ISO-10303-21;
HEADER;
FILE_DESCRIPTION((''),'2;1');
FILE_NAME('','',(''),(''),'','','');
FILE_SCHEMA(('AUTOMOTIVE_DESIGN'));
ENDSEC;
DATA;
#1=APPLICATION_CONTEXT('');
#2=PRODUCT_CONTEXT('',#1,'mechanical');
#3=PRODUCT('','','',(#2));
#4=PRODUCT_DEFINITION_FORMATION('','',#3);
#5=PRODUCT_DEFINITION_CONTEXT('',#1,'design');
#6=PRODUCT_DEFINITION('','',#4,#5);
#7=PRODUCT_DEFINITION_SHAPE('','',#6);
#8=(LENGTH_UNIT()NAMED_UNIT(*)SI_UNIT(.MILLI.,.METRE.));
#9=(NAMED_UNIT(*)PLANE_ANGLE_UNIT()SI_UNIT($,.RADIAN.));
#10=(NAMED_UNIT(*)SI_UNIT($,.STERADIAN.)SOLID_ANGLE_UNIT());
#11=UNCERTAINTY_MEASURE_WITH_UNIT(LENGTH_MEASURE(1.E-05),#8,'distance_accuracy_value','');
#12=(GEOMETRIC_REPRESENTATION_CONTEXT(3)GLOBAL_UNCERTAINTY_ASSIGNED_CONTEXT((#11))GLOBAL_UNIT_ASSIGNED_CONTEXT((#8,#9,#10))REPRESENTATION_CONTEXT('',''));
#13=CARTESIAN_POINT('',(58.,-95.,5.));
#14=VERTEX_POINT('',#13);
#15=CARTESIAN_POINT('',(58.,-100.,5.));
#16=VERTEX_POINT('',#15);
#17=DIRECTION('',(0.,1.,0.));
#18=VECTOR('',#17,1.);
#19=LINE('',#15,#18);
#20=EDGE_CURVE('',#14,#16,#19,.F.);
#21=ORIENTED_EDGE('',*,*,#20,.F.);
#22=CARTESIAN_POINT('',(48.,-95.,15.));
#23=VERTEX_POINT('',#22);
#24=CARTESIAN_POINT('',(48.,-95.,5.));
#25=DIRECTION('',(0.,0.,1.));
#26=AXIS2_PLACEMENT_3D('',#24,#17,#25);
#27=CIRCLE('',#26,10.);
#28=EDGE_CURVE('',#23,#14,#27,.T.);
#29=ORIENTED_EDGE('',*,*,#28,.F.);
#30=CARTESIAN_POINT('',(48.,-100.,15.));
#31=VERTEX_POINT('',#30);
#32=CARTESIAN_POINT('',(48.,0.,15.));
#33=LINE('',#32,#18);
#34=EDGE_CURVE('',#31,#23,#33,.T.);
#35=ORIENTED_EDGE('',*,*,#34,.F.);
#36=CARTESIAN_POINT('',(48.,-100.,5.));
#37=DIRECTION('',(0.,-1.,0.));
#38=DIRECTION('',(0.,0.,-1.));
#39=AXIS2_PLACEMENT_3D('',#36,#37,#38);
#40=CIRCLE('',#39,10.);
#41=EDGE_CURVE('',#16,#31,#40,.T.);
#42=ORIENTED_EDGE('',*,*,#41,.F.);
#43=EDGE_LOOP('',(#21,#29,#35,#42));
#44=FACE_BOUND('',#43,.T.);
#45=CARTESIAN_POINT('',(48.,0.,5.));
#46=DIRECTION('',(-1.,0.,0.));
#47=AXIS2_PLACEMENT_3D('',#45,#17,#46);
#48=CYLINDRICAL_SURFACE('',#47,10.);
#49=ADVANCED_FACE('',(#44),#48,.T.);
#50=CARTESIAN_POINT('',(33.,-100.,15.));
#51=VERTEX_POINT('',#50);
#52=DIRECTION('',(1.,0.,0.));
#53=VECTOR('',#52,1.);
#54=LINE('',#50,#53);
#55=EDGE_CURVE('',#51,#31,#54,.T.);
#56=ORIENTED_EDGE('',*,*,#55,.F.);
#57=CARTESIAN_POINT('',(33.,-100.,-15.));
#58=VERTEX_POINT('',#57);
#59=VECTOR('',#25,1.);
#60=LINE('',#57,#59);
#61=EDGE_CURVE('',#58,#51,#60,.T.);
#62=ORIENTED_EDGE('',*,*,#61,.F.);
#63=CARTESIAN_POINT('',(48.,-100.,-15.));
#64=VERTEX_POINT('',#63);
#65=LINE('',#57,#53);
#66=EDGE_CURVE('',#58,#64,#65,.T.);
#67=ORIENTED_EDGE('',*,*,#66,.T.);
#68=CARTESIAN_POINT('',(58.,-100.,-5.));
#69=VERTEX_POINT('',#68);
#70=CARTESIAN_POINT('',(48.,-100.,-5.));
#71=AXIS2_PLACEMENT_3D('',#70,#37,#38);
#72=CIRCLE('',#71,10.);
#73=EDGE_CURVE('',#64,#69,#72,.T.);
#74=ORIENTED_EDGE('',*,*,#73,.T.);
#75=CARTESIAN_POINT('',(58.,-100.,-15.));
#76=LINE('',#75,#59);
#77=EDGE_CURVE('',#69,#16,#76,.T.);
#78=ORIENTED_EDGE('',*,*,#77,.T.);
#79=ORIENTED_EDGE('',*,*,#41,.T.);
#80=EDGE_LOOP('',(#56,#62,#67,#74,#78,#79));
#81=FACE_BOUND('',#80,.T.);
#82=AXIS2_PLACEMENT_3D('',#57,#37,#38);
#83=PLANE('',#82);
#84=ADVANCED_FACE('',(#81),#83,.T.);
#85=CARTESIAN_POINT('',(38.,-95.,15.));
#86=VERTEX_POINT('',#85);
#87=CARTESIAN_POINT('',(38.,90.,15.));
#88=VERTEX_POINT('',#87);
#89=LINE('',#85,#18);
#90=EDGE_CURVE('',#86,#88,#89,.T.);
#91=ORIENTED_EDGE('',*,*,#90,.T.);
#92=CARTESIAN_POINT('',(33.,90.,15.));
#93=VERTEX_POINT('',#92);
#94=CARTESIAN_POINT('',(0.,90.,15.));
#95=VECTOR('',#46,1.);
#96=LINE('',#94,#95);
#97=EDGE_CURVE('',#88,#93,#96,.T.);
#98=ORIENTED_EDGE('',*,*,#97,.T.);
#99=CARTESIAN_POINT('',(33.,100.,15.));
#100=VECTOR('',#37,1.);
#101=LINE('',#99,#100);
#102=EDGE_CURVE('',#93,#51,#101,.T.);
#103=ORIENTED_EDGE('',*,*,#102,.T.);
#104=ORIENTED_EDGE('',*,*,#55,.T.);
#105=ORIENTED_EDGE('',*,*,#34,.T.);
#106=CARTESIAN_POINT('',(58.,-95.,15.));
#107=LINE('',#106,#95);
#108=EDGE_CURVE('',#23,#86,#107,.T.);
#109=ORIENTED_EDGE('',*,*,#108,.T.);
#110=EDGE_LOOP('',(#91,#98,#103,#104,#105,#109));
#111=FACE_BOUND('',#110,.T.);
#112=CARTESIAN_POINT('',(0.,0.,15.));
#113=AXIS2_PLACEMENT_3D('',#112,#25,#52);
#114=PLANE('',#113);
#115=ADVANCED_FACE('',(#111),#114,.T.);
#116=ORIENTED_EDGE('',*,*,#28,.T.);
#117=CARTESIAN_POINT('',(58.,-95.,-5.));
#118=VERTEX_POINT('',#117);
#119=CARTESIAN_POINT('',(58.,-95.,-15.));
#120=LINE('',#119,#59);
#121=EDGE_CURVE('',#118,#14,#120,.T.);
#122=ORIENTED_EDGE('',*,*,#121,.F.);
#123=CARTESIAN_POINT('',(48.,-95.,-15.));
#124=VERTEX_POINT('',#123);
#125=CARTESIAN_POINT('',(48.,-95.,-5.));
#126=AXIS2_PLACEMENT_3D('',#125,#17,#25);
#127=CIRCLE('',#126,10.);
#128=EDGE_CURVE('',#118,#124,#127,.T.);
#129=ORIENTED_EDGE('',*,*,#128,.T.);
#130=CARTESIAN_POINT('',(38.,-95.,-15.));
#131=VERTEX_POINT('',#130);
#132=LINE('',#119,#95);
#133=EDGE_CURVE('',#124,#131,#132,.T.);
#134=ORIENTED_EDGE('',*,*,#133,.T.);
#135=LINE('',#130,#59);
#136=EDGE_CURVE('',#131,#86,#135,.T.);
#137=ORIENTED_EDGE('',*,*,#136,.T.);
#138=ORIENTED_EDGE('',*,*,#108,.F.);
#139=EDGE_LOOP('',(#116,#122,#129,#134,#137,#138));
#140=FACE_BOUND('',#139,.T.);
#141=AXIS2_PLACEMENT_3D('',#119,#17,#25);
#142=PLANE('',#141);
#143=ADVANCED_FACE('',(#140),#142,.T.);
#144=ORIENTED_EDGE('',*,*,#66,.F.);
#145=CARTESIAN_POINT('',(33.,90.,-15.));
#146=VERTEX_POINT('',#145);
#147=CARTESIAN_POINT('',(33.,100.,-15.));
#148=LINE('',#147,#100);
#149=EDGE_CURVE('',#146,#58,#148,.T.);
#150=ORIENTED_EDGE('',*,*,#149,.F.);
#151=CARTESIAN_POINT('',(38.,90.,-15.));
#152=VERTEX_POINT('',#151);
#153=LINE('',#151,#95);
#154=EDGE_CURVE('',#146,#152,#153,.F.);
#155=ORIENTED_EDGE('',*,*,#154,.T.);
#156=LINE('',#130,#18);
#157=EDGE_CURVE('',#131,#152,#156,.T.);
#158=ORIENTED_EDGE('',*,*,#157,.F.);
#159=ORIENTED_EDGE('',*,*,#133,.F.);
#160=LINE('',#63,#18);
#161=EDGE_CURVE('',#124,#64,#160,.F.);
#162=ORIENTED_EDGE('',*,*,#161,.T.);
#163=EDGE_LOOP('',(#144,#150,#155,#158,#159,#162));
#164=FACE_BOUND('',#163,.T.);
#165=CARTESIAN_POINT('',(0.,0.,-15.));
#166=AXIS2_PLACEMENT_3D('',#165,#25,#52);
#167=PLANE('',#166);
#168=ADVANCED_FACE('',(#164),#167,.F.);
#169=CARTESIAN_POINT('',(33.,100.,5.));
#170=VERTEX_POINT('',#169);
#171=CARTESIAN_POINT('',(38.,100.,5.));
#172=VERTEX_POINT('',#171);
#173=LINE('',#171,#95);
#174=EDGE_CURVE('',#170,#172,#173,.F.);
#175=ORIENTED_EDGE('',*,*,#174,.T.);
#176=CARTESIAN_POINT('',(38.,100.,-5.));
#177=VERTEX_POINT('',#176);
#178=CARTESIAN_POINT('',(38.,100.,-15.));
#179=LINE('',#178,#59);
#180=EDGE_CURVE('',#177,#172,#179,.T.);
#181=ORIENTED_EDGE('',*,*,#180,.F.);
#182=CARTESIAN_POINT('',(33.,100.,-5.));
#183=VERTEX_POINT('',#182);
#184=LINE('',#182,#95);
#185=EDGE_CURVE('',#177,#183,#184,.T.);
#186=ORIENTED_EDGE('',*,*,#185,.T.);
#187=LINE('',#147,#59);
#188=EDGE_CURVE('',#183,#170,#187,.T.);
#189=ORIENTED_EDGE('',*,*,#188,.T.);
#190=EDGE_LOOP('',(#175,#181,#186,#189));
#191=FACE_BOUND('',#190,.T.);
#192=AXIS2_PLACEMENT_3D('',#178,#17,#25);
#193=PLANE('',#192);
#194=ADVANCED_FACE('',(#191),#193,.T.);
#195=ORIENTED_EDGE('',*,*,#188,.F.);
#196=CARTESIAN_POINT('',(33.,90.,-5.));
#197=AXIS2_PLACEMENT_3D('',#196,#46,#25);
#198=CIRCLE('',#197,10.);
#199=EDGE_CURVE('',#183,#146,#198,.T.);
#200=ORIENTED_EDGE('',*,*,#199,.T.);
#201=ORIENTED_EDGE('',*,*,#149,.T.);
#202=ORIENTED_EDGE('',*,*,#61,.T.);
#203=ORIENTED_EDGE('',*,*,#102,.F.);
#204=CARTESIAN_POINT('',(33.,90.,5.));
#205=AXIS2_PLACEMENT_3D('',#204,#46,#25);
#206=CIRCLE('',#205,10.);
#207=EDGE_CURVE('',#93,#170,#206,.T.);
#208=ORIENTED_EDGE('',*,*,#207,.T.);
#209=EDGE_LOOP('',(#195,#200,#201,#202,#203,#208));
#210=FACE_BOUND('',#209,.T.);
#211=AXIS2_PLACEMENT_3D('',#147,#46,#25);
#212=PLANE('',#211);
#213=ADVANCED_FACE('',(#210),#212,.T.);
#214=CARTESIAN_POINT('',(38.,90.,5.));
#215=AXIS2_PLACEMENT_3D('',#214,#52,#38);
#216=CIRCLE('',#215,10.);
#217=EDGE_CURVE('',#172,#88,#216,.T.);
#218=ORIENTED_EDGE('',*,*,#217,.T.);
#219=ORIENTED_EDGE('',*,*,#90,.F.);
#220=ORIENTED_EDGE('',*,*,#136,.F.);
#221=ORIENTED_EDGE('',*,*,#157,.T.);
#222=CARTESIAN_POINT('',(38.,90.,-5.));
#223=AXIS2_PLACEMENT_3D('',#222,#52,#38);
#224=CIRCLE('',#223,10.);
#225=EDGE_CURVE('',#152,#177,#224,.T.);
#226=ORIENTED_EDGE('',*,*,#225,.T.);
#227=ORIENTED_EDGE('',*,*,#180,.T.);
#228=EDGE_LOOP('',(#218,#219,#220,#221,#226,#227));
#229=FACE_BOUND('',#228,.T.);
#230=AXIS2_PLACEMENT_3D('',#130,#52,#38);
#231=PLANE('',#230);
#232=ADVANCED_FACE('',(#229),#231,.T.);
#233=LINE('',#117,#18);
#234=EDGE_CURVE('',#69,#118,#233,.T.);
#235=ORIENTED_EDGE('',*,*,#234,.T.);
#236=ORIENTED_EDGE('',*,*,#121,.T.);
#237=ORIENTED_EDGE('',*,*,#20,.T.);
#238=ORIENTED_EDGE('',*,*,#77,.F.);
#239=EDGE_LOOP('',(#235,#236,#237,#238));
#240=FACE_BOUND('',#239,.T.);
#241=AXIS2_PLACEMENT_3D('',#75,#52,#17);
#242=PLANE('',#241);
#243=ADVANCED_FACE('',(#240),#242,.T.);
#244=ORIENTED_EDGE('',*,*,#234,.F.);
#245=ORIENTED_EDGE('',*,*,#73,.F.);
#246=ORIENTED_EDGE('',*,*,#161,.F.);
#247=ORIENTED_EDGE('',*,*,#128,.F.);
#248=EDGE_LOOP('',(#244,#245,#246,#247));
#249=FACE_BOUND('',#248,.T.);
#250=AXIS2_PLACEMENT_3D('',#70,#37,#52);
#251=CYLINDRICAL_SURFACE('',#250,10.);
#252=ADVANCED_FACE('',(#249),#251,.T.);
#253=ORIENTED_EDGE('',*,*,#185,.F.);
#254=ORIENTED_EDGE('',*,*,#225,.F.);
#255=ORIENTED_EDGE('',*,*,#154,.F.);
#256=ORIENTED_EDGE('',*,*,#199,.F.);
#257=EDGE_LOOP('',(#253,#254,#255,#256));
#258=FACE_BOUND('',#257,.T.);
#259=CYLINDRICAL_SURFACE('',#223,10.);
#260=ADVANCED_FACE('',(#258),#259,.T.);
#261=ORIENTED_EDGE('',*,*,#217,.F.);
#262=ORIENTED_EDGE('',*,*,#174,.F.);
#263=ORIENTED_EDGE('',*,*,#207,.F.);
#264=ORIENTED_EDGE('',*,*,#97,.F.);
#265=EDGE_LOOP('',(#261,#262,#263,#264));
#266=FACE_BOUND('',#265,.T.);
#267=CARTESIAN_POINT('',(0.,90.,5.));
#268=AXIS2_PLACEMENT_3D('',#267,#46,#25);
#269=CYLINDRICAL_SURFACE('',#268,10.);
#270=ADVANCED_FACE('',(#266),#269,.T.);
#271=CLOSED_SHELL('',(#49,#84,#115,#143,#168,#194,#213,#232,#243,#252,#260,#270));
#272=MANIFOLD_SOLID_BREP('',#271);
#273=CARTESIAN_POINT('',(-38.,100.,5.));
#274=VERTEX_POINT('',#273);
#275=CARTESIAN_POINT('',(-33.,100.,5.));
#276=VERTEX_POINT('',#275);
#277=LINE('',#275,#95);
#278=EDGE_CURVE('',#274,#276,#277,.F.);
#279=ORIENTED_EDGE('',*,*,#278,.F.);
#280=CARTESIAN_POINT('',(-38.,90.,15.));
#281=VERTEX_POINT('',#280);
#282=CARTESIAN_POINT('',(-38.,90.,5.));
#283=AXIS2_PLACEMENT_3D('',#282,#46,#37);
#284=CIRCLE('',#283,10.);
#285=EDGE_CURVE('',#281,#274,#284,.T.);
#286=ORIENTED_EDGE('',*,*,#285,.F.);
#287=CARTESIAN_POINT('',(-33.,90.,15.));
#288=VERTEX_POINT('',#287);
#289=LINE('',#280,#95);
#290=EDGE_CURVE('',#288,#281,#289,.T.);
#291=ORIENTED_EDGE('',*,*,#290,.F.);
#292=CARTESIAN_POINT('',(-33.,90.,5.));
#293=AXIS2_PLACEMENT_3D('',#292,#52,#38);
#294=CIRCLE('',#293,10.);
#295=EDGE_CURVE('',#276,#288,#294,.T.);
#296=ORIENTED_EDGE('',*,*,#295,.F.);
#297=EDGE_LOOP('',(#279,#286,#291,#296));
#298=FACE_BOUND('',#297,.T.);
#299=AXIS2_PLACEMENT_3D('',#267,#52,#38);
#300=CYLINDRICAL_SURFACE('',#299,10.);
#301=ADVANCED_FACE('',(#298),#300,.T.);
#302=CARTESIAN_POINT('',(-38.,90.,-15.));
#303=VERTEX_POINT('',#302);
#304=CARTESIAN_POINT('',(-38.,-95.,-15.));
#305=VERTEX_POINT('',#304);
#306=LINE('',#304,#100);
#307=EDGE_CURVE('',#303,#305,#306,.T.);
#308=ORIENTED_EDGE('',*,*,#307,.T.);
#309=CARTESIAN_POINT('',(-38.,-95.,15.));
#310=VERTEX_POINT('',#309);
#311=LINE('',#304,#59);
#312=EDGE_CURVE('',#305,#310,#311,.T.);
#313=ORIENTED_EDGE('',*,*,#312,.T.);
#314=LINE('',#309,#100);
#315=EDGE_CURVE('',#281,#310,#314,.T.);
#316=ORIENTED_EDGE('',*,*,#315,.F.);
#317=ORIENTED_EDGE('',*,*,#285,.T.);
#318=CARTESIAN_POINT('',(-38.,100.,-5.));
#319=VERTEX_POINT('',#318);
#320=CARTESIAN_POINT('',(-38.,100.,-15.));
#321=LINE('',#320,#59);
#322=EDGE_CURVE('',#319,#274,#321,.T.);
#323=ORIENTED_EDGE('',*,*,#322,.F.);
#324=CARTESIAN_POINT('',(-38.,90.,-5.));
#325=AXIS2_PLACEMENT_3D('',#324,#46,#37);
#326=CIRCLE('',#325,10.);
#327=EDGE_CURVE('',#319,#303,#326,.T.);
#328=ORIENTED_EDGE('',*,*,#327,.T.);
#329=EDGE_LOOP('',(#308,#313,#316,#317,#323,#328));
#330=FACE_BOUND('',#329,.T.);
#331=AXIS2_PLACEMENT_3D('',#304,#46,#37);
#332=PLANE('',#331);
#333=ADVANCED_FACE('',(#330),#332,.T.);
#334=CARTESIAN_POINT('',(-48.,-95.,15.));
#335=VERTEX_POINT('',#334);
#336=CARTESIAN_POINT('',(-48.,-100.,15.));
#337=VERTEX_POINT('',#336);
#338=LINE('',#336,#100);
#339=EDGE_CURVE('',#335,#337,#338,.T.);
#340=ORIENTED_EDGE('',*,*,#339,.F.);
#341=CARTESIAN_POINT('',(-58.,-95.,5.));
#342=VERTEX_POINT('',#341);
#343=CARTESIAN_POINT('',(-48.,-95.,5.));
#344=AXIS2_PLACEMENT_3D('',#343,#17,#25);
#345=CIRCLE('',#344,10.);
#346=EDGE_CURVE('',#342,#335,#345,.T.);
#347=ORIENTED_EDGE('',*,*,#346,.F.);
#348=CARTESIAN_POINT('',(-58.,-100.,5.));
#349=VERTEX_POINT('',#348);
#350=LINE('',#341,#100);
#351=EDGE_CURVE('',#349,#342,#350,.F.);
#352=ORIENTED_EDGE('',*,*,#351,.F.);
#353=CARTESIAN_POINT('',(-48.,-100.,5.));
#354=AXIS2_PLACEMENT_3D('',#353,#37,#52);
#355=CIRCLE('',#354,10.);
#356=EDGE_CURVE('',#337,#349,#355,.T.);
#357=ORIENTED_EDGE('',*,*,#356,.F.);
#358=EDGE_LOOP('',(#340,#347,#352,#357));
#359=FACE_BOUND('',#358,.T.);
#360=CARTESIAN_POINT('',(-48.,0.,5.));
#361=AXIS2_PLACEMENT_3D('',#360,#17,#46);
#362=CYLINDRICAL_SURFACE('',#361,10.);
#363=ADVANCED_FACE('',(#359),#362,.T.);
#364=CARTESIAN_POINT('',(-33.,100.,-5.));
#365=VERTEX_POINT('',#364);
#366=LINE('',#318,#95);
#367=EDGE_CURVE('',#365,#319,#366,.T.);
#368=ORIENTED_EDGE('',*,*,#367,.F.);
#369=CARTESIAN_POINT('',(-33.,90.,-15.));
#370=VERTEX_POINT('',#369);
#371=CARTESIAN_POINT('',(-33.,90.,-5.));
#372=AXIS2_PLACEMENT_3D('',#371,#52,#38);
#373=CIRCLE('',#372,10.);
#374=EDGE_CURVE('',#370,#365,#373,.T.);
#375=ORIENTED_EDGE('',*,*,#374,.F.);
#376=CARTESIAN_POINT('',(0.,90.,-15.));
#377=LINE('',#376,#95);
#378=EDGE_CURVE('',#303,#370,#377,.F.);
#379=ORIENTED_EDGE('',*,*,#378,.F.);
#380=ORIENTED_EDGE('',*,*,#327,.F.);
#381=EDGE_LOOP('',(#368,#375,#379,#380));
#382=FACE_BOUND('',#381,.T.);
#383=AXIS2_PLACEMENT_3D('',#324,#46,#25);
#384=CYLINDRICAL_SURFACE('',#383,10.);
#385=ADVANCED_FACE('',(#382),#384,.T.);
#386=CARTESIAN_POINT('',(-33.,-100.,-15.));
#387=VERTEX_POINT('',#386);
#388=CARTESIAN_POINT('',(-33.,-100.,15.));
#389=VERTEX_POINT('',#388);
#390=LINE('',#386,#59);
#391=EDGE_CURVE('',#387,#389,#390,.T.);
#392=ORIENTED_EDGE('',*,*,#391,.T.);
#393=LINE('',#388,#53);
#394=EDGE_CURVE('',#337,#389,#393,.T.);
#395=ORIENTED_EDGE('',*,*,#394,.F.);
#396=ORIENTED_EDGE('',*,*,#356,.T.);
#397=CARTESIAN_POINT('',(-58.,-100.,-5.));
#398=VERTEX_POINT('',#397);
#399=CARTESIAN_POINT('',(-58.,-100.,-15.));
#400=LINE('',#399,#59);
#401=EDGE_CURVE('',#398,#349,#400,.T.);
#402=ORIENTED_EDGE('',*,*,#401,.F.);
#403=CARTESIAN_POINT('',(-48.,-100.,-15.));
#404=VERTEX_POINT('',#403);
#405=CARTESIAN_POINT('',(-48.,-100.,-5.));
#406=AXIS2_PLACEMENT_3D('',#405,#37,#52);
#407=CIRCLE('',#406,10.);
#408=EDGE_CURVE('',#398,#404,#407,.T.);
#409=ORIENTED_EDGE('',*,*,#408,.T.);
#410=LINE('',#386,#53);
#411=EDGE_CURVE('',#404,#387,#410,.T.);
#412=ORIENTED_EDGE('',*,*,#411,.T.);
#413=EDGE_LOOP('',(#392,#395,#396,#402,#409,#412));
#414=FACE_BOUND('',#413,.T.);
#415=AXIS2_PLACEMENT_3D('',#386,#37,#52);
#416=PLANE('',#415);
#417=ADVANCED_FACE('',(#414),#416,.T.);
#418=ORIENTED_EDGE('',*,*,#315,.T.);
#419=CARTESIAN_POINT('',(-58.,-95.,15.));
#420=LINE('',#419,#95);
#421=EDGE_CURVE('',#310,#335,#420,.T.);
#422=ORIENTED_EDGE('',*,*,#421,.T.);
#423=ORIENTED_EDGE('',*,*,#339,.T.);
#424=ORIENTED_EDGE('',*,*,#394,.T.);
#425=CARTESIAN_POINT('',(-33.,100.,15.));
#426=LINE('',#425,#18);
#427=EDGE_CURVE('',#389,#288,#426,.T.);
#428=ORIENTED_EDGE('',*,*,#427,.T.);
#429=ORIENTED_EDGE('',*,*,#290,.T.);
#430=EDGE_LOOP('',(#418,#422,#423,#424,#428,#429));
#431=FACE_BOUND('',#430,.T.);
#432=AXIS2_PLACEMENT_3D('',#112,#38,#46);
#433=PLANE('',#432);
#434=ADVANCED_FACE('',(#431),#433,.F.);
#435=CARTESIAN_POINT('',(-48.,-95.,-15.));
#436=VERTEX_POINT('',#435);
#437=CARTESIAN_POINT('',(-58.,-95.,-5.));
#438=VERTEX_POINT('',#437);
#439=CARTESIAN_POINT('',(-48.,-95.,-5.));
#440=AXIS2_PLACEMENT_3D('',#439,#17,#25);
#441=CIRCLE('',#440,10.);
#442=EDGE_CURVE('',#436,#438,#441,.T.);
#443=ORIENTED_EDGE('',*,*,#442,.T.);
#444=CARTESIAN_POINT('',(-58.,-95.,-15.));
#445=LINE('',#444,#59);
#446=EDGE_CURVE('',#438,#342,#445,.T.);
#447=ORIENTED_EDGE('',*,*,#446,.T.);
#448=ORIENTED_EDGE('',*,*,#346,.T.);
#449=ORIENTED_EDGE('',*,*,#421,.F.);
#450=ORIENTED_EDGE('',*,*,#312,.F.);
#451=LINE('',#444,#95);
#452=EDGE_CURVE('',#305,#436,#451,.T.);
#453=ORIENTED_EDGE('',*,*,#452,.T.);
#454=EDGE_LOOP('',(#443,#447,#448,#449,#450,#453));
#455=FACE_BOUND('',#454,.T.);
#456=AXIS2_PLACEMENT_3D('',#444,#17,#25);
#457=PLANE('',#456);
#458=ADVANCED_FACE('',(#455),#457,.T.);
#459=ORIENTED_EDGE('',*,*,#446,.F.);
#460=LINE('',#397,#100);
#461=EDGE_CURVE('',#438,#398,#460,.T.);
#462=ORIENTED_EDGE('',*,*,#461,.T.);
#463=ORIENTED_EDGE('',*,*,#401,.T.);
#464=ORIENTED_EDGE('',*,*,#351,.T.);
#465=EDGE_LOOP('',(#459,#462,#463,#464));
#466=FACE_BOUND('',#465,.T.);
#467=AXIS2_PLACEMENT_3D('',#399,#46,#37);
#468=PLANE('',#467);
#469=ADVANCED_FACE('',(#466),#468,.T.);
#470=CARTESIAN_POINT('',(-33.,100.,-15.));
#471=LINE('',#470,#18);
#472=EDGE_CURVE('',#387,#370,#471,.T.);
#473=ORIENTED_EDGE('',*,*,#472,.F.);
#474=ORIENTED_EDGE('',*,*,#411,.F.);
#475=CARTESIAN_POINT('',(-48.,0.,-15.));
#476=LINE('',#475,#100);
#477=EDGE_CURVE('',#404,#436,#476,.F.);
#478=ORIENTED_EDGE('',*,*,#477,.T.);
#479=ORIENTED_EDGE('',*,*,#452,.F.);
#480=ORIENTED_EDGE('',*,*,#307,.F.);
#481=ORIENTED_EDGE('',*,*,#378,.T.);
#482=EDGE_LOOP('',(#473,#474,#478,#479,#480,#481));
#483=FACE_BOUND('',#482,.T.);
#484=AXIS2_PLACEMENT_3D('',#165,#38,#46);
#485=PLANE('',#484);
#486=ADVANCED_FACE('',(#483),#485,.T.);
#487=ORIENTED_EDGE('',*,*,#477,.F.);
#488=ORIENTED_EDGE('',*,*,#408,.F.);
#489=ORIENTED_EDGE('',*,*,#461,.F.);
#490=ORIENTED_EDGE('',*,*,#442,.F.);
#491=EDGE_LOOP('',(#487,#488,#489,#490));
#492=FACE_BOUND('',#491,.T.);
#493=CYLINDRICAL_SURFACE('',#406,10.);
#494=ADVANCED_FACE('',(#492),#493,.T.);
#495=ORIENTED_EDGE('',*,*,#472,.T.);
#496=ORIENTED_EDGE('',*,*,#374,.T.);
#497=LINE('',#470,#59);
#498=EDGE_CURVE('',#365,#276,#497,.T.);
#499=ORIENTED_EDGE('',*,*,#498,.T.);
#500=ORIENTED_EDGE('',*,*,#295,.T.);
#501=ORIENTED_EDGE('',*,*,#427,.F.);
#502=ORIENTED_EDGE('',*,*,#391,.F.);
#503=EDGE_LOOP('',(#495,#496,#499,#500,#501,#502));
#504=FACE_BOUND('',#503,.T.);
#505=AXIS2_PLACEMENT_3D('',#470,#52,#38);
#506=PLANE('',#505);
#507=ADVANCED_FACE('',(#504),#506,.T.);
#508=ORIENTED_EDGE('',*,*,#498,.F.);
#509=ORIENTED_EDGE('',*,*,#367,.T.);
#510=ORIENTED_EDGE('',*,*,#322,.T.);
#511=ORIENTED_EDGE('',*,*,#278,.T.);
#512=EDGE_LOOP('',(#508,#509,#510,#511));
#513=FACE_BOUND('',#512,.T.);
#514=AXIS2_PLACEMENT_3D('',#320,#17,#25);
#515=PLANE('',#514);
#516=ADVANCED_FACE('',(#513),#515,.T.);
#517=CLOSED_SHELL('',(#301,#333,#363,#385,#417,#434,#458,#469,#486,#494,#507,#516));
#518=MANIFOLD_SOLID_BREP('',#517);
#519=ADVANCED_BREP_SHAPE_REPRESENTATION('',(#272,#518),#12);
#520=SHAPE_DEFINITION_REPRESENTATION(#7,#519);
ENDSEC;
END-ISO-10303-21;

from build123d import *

# Parameters (mm, degrees)
BOSS_EXTRUDE3_DEPTH        = 15
BOSS_EXTRUDE3_DEPTH_BACK   = 15
BOSS_EXTRUDE3_2_DEPTH      = 15
BOSS_EXTRUDE3_2_DEPTH_BACK = 15
FILLET1_R                  = 10
FILLET2_R                  = 10


with BuildPart() as part:
    # Sketch5 → Boss-Extrude3 (new, two sides: drawn at the far end of the back side and taken through both)
    with BuildSketch(Plane.XY.offset(-BOSS_EXTRUDE3_DEPTH_BACK)):
        Polygon((33, 100), (33, -100), (58, -100), (58, -95), (38, -95), (38, 100), align=None)
    extrude(amount=BOSS_EXTRUDE3_DEPTH + BOSS_EXTRUDE3_DEPTH_BACK)

    # Fillet1
    fillet1_edges = [part.edges().sort_by_distance(p)[0] for p in [
        (58, -97.5, -15),
        (35.5, 100, 15),
        (58, -97.5, 15),
        (35.5, 100, -15),
    ]]
    fillet(fillet1_edges, radius=FILLET1_R)


with BuildPart() as body_2:
    # Sketch5 → Boss-Extrude3 2 (new, two sides: drawn at the far end of the back side and taken through both)
    with BuildSketch(Plane.XY.offset(-BOSS_EXTRUDE3_2_DEPTH_BACK)):
        Polygon((-38, 100), (-33, 100), (-33, -100), (-58, -100), (-58, -95), (-38, -95), align=None)
    extrude(amount=BOSS_EXTRUDE3_2_DEPTH + BOSS_EXTRUDE3_2_DEPTH_BACK)

    # Fillet2
    fillet2_edges = [body_2.edges().sort_by_distance(p)[0] for p in [
        (-58, -97.5, -15),
        (-58, -97.5, 15),
        (-35.5, 100, -15),
        (-35.5, 100, 15),
    ]]
    fillet(fillet2_edges, radius=FILLET2_R)


solid = Compound([part.part, body_2.part])
